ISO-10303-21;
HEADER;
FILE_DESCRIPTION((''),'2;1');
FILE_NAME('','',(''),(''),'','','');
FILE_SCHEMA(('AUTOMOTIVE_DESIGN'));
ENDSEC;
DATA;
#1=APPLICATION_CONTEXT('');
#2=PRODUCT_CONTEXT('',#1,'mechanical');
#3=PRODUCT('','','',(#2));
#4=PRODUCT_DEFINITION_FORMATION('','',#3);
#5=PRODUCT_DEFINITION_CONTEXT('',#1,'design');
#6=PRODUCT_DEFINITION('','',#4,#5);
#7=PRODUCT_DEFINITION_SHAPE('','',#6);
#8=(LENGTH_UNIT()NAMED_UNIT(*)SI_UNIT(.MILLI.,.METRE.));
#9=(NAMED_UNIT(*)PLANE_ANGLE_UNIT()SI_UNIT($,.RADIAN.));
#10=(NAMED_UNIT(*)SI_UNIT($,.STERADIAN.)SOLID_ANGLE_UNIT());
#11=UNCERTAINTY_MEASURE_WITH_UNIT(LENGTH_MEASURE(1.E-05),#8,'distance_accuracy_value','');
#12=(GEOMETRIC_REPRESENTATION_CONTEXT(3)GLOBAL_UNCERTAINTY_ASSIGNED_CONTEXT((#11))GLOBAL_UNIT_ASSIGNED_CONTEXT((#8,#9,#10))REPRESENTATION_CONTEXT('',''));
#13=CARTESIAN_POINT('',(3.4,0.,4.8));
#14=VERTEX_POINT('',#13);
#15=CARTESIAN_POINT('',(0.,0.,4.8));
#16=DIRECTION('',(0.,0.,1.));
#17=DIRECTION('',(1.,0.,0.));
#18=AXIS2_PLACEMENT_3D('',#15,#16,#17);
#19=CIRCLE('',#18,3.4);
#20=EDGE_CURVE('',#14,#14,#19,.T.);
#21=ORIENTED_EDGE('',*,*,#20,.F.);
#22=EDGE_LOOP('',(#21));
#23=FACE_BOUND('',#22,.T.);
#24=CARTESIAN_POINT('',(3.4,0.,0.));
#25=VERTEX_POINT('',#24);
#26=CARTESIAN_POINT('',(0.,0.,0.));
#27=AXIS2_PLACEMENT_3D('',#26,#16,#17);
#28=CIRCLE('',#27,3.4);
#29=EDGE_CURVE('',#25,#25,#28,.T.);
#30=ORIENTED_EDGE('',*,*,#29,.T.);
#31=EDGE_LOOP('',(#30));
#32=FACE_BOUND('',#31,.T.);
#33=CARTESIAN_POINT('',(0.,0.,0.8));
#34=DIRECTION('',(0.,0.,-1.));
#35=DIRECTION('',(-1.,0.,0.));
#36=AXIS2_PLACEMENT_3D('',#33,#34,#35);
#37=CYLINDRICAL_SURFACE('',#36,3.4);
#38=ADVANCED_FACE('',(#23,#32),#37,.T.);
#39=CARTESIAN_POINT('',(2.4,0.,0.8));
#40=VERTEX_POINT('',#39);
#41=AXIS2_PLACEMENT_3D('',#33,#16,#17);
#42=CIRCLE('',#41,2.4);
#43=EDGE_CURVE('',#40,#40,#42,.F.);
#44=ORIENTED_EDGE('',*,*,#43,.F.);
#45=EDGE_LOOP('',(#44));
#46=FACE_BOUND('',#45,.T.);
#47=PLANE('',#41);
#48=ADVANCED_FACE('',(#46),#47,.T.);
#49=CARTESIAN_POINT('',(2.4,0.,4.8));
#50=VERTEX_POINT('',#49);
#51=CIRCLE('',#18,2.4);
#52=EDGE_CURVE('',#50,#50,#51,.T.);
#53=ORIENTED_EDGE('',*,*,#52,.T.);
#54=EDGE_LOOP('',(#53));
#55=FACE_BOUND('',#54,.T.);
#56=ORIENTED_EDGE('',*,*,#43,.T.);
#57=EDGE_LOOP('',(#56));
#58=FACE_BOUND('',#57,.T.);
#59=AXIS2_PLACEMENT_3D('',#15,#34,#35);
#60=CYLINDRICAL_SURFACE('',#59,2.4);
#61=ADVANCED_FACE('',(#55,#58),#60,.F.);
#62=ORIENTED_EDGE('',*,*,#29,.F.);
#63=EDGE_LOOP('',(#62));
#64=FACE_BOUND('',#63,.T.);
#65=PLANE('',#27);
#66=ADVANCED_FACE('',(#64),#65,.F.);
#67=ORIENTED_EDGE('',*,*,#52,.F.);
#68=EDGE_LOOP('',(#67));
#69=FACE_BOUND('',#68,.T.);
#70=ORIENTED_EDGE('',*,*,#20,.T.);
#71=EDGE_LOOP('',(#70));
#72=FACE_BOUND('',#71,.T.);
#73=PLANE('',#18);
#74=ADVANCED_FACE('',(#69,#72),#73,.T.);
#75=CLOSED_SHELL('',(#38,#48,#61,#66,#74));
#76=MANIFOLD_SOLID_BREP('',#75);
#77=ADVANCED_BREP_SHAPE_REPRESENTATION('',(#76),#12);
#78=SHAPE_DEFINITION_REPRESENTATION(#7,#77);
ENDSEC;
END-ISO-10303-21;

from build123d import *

# Parameters (mm, degrees)
SKETCH1_R           = 3.4
BOSS_EXTRUDE1_DEPTH = 0.8
SKETCH2_R           = 3.4
SKETCH2_R_2         = 2.4
BOSS_EXTRUDE2_DEPTH = 4


with BuildPart() as part:
    # Sketch1 → Boss-Extrude1 (new body)
    with BuildSketch(Plane.XY):
        Circle(SKETCH1_R)
    extrude(amount=BOSS_EXTRUDE1_DEPTH)

    # Sketch2 → Boss-Extrude2 (add)
    with BuildSketch(Plane.XY.offset(0.8)):
        Circle(SKETCH2_R)
        Circle(SKETCH2_R_2, mode=Mode.SUBTRACT)
    extrude(amount=BOSS_EXTRUDE2_DEPTH)


solid = part.part
